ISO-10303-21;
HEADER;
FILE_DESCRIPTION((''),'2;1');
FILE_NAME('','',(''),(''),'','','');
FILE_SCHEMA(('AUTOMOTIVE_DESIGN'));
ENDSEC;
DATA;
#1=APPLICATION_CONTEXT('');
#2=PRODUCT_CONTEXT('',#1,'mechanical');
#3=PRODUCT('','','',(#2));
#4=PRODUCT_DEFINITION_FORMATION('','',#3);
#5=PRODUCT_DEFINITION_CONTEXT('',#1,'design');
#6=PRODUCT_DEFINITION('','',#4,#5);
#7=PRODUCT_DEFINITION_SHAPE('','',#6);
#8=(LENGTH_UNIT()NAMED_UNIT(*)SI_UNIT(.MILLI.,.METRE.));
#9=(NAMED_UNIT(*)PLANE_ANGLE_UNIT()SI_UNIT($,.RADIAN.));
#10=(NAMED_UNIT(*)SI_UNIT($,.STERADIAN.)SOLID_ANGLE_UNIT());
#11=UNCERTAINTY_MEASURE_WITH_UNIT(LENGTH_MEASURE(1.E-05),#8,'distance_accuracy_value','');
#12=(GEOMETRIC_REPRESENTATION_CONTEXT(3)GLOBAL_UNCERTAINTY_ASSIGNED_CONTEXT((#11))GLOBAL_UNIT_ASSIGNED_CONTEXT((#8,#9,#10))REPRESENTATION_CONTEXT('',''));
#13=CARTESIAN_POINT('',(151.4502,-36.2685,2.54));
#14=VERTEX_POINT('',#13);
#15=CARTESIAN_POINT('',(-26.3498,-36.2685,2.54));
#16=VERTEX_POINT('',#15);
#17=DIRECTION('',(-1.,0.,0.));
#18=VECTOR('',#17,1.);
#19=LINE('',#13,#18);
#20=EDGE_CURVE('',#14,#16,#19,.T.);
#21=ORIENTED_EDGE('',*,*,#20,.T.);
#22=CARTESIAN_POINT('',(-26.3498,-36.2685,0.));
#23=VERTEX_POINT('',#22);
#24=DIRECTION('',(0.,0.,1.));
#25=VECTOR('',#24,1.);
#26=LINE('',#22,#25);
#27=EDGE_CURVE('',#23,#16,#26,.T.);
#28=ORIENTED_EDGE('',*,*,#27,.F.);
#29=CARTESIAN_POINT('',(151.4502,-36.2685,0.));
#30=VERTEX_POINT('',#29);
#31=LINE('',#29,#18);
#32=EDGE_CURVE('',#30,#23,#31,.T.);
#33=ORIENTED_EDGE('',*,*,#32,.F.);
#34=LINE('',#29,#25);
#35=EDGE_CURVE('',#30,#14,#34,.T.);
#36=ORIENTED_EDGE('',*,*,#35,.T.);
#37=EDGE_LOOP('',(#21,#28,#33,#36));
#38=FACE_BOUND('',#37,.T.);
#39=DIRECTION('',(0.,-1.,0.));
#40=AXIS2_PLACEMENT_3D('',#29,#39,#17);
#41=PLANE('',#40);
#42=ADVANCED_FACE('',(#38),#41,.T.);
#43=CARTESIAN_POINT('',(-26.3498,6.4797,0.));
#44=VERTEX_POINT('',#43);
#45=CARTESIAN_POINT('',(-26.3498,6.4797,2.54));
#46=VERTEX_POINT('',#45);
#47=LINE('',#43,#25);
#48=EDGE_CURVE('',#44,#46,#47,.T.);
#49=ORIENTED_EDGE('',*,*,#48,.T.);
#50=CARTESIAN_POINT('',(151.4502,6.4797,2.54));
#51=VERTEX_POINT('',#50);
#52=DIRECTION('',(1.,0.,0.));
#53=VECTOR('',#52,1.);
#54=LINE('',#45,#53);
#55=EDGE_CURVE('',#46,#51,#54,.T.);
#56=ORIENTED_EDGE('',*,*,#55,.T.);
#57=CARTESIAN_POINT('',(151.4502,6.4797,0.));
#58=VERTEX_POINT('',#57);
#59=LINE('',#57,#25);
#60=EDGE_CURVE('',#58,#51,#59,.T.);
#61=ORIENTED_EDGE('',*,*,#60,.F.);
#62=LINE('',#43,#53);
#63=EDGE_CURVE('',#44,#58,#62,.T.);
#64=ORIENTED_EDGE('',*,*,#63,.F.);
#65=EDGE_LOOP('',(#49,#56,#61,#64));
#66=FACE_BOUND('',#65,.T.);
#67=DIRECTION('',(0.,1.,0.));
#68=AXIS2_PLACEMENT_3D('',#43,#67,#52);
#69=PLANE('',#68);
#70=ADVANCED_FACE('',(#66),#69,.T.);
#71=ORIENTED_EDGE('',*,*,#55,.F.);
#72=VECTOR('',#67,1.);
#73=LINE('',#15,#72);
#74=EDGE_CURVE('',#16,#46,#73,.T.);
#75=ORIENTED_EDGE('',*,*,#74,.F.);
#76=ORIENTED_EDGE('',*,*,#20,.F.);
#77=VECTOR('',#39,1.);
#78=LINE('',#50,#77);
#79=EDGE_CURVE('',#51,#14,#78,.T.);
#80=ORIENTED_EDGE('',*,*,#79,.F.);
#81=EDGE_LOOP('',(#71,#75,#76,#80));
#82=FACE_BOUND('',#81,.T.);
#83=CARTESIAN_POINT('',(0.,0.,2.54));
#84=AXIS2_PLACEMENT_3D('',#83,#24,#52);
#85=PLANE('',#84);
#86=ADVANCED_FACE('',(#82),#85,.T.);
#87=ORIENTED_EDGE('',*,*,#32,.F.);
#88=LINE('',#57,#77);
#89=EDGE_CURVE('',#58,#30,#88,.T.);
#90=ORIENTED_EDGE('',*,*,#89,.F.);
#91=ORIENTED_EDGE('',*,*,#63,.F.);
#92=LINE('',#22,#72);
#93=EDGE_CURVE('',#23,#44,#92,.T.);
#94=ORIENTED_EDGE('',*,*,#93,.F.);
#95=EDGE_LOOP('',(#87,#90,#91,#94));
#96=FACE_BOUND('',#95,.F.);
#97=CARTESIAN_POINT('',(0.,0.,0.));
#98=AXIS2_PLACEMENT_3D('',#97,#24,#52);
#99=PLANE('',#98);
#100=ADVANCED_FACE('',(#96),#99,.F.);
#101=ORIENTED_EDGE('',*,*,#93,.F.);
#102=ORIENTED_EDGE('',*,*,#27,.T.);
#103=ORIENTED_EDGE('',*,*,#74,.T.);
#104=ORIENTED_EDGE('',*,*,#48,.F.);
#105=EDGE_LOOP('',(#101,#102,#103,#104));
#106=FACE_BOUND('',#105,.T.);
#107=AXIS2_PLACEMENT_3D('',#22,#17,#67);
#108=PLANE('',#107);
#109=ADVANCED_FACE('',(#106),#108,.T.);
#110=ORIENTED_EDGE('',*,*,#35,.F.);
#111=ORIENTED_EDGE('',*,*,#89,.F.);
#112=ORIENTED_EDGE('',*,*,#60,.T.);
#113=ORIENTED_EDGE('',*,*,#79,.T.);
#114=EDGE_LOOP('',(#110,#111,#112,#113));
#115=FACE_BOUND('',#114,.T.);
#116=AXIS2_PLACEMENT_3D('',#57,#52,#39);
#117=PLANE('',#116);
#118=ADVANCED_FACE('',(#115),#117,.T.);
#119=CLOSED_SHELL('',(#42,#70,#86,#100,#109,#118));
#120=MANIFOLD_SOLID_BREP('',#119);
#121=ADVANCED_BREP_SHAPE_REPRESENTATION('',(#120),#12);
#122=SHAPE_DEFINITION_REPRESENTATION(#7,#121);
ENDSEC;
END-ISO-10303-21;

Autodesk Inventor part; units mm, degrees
ref_plane "YZ Plane" through (0, 0, 0) normal (1, 0, 0) x (0, 1, 0)
ref_plane "XZ Plane" through (0, 0, 0) normal (0, 1, 0) x (-1, 0, 0)
ref_plane "XY Plane" through (0, 0, 0) normal (0, 0, 1) x (1, 0, 0)
sketch "Sketch1" plane through (0, 0, 0) normal (0, 0, 1) x (1, 0, 0)
  line L0 (-26.3498, 6.4797) -> (151.4502, 6.4797)
  line L1 (151.4502, 6.4797) -> (151.4502, -36.2685)
  line L2 (151.4502, -36.2685) -> (-26.3498, -36.2685)
  line L3 (-26.3498, -36.2685) -> (-26.3498, 6.4797)
  point P0 (0, 0)
  dimension "d0" = 177.8
  dimension "d1" = 42.7482
extrude "Extrusion1" add sketch "Sketch1" along normal blind 2.54
properties part number "back"
